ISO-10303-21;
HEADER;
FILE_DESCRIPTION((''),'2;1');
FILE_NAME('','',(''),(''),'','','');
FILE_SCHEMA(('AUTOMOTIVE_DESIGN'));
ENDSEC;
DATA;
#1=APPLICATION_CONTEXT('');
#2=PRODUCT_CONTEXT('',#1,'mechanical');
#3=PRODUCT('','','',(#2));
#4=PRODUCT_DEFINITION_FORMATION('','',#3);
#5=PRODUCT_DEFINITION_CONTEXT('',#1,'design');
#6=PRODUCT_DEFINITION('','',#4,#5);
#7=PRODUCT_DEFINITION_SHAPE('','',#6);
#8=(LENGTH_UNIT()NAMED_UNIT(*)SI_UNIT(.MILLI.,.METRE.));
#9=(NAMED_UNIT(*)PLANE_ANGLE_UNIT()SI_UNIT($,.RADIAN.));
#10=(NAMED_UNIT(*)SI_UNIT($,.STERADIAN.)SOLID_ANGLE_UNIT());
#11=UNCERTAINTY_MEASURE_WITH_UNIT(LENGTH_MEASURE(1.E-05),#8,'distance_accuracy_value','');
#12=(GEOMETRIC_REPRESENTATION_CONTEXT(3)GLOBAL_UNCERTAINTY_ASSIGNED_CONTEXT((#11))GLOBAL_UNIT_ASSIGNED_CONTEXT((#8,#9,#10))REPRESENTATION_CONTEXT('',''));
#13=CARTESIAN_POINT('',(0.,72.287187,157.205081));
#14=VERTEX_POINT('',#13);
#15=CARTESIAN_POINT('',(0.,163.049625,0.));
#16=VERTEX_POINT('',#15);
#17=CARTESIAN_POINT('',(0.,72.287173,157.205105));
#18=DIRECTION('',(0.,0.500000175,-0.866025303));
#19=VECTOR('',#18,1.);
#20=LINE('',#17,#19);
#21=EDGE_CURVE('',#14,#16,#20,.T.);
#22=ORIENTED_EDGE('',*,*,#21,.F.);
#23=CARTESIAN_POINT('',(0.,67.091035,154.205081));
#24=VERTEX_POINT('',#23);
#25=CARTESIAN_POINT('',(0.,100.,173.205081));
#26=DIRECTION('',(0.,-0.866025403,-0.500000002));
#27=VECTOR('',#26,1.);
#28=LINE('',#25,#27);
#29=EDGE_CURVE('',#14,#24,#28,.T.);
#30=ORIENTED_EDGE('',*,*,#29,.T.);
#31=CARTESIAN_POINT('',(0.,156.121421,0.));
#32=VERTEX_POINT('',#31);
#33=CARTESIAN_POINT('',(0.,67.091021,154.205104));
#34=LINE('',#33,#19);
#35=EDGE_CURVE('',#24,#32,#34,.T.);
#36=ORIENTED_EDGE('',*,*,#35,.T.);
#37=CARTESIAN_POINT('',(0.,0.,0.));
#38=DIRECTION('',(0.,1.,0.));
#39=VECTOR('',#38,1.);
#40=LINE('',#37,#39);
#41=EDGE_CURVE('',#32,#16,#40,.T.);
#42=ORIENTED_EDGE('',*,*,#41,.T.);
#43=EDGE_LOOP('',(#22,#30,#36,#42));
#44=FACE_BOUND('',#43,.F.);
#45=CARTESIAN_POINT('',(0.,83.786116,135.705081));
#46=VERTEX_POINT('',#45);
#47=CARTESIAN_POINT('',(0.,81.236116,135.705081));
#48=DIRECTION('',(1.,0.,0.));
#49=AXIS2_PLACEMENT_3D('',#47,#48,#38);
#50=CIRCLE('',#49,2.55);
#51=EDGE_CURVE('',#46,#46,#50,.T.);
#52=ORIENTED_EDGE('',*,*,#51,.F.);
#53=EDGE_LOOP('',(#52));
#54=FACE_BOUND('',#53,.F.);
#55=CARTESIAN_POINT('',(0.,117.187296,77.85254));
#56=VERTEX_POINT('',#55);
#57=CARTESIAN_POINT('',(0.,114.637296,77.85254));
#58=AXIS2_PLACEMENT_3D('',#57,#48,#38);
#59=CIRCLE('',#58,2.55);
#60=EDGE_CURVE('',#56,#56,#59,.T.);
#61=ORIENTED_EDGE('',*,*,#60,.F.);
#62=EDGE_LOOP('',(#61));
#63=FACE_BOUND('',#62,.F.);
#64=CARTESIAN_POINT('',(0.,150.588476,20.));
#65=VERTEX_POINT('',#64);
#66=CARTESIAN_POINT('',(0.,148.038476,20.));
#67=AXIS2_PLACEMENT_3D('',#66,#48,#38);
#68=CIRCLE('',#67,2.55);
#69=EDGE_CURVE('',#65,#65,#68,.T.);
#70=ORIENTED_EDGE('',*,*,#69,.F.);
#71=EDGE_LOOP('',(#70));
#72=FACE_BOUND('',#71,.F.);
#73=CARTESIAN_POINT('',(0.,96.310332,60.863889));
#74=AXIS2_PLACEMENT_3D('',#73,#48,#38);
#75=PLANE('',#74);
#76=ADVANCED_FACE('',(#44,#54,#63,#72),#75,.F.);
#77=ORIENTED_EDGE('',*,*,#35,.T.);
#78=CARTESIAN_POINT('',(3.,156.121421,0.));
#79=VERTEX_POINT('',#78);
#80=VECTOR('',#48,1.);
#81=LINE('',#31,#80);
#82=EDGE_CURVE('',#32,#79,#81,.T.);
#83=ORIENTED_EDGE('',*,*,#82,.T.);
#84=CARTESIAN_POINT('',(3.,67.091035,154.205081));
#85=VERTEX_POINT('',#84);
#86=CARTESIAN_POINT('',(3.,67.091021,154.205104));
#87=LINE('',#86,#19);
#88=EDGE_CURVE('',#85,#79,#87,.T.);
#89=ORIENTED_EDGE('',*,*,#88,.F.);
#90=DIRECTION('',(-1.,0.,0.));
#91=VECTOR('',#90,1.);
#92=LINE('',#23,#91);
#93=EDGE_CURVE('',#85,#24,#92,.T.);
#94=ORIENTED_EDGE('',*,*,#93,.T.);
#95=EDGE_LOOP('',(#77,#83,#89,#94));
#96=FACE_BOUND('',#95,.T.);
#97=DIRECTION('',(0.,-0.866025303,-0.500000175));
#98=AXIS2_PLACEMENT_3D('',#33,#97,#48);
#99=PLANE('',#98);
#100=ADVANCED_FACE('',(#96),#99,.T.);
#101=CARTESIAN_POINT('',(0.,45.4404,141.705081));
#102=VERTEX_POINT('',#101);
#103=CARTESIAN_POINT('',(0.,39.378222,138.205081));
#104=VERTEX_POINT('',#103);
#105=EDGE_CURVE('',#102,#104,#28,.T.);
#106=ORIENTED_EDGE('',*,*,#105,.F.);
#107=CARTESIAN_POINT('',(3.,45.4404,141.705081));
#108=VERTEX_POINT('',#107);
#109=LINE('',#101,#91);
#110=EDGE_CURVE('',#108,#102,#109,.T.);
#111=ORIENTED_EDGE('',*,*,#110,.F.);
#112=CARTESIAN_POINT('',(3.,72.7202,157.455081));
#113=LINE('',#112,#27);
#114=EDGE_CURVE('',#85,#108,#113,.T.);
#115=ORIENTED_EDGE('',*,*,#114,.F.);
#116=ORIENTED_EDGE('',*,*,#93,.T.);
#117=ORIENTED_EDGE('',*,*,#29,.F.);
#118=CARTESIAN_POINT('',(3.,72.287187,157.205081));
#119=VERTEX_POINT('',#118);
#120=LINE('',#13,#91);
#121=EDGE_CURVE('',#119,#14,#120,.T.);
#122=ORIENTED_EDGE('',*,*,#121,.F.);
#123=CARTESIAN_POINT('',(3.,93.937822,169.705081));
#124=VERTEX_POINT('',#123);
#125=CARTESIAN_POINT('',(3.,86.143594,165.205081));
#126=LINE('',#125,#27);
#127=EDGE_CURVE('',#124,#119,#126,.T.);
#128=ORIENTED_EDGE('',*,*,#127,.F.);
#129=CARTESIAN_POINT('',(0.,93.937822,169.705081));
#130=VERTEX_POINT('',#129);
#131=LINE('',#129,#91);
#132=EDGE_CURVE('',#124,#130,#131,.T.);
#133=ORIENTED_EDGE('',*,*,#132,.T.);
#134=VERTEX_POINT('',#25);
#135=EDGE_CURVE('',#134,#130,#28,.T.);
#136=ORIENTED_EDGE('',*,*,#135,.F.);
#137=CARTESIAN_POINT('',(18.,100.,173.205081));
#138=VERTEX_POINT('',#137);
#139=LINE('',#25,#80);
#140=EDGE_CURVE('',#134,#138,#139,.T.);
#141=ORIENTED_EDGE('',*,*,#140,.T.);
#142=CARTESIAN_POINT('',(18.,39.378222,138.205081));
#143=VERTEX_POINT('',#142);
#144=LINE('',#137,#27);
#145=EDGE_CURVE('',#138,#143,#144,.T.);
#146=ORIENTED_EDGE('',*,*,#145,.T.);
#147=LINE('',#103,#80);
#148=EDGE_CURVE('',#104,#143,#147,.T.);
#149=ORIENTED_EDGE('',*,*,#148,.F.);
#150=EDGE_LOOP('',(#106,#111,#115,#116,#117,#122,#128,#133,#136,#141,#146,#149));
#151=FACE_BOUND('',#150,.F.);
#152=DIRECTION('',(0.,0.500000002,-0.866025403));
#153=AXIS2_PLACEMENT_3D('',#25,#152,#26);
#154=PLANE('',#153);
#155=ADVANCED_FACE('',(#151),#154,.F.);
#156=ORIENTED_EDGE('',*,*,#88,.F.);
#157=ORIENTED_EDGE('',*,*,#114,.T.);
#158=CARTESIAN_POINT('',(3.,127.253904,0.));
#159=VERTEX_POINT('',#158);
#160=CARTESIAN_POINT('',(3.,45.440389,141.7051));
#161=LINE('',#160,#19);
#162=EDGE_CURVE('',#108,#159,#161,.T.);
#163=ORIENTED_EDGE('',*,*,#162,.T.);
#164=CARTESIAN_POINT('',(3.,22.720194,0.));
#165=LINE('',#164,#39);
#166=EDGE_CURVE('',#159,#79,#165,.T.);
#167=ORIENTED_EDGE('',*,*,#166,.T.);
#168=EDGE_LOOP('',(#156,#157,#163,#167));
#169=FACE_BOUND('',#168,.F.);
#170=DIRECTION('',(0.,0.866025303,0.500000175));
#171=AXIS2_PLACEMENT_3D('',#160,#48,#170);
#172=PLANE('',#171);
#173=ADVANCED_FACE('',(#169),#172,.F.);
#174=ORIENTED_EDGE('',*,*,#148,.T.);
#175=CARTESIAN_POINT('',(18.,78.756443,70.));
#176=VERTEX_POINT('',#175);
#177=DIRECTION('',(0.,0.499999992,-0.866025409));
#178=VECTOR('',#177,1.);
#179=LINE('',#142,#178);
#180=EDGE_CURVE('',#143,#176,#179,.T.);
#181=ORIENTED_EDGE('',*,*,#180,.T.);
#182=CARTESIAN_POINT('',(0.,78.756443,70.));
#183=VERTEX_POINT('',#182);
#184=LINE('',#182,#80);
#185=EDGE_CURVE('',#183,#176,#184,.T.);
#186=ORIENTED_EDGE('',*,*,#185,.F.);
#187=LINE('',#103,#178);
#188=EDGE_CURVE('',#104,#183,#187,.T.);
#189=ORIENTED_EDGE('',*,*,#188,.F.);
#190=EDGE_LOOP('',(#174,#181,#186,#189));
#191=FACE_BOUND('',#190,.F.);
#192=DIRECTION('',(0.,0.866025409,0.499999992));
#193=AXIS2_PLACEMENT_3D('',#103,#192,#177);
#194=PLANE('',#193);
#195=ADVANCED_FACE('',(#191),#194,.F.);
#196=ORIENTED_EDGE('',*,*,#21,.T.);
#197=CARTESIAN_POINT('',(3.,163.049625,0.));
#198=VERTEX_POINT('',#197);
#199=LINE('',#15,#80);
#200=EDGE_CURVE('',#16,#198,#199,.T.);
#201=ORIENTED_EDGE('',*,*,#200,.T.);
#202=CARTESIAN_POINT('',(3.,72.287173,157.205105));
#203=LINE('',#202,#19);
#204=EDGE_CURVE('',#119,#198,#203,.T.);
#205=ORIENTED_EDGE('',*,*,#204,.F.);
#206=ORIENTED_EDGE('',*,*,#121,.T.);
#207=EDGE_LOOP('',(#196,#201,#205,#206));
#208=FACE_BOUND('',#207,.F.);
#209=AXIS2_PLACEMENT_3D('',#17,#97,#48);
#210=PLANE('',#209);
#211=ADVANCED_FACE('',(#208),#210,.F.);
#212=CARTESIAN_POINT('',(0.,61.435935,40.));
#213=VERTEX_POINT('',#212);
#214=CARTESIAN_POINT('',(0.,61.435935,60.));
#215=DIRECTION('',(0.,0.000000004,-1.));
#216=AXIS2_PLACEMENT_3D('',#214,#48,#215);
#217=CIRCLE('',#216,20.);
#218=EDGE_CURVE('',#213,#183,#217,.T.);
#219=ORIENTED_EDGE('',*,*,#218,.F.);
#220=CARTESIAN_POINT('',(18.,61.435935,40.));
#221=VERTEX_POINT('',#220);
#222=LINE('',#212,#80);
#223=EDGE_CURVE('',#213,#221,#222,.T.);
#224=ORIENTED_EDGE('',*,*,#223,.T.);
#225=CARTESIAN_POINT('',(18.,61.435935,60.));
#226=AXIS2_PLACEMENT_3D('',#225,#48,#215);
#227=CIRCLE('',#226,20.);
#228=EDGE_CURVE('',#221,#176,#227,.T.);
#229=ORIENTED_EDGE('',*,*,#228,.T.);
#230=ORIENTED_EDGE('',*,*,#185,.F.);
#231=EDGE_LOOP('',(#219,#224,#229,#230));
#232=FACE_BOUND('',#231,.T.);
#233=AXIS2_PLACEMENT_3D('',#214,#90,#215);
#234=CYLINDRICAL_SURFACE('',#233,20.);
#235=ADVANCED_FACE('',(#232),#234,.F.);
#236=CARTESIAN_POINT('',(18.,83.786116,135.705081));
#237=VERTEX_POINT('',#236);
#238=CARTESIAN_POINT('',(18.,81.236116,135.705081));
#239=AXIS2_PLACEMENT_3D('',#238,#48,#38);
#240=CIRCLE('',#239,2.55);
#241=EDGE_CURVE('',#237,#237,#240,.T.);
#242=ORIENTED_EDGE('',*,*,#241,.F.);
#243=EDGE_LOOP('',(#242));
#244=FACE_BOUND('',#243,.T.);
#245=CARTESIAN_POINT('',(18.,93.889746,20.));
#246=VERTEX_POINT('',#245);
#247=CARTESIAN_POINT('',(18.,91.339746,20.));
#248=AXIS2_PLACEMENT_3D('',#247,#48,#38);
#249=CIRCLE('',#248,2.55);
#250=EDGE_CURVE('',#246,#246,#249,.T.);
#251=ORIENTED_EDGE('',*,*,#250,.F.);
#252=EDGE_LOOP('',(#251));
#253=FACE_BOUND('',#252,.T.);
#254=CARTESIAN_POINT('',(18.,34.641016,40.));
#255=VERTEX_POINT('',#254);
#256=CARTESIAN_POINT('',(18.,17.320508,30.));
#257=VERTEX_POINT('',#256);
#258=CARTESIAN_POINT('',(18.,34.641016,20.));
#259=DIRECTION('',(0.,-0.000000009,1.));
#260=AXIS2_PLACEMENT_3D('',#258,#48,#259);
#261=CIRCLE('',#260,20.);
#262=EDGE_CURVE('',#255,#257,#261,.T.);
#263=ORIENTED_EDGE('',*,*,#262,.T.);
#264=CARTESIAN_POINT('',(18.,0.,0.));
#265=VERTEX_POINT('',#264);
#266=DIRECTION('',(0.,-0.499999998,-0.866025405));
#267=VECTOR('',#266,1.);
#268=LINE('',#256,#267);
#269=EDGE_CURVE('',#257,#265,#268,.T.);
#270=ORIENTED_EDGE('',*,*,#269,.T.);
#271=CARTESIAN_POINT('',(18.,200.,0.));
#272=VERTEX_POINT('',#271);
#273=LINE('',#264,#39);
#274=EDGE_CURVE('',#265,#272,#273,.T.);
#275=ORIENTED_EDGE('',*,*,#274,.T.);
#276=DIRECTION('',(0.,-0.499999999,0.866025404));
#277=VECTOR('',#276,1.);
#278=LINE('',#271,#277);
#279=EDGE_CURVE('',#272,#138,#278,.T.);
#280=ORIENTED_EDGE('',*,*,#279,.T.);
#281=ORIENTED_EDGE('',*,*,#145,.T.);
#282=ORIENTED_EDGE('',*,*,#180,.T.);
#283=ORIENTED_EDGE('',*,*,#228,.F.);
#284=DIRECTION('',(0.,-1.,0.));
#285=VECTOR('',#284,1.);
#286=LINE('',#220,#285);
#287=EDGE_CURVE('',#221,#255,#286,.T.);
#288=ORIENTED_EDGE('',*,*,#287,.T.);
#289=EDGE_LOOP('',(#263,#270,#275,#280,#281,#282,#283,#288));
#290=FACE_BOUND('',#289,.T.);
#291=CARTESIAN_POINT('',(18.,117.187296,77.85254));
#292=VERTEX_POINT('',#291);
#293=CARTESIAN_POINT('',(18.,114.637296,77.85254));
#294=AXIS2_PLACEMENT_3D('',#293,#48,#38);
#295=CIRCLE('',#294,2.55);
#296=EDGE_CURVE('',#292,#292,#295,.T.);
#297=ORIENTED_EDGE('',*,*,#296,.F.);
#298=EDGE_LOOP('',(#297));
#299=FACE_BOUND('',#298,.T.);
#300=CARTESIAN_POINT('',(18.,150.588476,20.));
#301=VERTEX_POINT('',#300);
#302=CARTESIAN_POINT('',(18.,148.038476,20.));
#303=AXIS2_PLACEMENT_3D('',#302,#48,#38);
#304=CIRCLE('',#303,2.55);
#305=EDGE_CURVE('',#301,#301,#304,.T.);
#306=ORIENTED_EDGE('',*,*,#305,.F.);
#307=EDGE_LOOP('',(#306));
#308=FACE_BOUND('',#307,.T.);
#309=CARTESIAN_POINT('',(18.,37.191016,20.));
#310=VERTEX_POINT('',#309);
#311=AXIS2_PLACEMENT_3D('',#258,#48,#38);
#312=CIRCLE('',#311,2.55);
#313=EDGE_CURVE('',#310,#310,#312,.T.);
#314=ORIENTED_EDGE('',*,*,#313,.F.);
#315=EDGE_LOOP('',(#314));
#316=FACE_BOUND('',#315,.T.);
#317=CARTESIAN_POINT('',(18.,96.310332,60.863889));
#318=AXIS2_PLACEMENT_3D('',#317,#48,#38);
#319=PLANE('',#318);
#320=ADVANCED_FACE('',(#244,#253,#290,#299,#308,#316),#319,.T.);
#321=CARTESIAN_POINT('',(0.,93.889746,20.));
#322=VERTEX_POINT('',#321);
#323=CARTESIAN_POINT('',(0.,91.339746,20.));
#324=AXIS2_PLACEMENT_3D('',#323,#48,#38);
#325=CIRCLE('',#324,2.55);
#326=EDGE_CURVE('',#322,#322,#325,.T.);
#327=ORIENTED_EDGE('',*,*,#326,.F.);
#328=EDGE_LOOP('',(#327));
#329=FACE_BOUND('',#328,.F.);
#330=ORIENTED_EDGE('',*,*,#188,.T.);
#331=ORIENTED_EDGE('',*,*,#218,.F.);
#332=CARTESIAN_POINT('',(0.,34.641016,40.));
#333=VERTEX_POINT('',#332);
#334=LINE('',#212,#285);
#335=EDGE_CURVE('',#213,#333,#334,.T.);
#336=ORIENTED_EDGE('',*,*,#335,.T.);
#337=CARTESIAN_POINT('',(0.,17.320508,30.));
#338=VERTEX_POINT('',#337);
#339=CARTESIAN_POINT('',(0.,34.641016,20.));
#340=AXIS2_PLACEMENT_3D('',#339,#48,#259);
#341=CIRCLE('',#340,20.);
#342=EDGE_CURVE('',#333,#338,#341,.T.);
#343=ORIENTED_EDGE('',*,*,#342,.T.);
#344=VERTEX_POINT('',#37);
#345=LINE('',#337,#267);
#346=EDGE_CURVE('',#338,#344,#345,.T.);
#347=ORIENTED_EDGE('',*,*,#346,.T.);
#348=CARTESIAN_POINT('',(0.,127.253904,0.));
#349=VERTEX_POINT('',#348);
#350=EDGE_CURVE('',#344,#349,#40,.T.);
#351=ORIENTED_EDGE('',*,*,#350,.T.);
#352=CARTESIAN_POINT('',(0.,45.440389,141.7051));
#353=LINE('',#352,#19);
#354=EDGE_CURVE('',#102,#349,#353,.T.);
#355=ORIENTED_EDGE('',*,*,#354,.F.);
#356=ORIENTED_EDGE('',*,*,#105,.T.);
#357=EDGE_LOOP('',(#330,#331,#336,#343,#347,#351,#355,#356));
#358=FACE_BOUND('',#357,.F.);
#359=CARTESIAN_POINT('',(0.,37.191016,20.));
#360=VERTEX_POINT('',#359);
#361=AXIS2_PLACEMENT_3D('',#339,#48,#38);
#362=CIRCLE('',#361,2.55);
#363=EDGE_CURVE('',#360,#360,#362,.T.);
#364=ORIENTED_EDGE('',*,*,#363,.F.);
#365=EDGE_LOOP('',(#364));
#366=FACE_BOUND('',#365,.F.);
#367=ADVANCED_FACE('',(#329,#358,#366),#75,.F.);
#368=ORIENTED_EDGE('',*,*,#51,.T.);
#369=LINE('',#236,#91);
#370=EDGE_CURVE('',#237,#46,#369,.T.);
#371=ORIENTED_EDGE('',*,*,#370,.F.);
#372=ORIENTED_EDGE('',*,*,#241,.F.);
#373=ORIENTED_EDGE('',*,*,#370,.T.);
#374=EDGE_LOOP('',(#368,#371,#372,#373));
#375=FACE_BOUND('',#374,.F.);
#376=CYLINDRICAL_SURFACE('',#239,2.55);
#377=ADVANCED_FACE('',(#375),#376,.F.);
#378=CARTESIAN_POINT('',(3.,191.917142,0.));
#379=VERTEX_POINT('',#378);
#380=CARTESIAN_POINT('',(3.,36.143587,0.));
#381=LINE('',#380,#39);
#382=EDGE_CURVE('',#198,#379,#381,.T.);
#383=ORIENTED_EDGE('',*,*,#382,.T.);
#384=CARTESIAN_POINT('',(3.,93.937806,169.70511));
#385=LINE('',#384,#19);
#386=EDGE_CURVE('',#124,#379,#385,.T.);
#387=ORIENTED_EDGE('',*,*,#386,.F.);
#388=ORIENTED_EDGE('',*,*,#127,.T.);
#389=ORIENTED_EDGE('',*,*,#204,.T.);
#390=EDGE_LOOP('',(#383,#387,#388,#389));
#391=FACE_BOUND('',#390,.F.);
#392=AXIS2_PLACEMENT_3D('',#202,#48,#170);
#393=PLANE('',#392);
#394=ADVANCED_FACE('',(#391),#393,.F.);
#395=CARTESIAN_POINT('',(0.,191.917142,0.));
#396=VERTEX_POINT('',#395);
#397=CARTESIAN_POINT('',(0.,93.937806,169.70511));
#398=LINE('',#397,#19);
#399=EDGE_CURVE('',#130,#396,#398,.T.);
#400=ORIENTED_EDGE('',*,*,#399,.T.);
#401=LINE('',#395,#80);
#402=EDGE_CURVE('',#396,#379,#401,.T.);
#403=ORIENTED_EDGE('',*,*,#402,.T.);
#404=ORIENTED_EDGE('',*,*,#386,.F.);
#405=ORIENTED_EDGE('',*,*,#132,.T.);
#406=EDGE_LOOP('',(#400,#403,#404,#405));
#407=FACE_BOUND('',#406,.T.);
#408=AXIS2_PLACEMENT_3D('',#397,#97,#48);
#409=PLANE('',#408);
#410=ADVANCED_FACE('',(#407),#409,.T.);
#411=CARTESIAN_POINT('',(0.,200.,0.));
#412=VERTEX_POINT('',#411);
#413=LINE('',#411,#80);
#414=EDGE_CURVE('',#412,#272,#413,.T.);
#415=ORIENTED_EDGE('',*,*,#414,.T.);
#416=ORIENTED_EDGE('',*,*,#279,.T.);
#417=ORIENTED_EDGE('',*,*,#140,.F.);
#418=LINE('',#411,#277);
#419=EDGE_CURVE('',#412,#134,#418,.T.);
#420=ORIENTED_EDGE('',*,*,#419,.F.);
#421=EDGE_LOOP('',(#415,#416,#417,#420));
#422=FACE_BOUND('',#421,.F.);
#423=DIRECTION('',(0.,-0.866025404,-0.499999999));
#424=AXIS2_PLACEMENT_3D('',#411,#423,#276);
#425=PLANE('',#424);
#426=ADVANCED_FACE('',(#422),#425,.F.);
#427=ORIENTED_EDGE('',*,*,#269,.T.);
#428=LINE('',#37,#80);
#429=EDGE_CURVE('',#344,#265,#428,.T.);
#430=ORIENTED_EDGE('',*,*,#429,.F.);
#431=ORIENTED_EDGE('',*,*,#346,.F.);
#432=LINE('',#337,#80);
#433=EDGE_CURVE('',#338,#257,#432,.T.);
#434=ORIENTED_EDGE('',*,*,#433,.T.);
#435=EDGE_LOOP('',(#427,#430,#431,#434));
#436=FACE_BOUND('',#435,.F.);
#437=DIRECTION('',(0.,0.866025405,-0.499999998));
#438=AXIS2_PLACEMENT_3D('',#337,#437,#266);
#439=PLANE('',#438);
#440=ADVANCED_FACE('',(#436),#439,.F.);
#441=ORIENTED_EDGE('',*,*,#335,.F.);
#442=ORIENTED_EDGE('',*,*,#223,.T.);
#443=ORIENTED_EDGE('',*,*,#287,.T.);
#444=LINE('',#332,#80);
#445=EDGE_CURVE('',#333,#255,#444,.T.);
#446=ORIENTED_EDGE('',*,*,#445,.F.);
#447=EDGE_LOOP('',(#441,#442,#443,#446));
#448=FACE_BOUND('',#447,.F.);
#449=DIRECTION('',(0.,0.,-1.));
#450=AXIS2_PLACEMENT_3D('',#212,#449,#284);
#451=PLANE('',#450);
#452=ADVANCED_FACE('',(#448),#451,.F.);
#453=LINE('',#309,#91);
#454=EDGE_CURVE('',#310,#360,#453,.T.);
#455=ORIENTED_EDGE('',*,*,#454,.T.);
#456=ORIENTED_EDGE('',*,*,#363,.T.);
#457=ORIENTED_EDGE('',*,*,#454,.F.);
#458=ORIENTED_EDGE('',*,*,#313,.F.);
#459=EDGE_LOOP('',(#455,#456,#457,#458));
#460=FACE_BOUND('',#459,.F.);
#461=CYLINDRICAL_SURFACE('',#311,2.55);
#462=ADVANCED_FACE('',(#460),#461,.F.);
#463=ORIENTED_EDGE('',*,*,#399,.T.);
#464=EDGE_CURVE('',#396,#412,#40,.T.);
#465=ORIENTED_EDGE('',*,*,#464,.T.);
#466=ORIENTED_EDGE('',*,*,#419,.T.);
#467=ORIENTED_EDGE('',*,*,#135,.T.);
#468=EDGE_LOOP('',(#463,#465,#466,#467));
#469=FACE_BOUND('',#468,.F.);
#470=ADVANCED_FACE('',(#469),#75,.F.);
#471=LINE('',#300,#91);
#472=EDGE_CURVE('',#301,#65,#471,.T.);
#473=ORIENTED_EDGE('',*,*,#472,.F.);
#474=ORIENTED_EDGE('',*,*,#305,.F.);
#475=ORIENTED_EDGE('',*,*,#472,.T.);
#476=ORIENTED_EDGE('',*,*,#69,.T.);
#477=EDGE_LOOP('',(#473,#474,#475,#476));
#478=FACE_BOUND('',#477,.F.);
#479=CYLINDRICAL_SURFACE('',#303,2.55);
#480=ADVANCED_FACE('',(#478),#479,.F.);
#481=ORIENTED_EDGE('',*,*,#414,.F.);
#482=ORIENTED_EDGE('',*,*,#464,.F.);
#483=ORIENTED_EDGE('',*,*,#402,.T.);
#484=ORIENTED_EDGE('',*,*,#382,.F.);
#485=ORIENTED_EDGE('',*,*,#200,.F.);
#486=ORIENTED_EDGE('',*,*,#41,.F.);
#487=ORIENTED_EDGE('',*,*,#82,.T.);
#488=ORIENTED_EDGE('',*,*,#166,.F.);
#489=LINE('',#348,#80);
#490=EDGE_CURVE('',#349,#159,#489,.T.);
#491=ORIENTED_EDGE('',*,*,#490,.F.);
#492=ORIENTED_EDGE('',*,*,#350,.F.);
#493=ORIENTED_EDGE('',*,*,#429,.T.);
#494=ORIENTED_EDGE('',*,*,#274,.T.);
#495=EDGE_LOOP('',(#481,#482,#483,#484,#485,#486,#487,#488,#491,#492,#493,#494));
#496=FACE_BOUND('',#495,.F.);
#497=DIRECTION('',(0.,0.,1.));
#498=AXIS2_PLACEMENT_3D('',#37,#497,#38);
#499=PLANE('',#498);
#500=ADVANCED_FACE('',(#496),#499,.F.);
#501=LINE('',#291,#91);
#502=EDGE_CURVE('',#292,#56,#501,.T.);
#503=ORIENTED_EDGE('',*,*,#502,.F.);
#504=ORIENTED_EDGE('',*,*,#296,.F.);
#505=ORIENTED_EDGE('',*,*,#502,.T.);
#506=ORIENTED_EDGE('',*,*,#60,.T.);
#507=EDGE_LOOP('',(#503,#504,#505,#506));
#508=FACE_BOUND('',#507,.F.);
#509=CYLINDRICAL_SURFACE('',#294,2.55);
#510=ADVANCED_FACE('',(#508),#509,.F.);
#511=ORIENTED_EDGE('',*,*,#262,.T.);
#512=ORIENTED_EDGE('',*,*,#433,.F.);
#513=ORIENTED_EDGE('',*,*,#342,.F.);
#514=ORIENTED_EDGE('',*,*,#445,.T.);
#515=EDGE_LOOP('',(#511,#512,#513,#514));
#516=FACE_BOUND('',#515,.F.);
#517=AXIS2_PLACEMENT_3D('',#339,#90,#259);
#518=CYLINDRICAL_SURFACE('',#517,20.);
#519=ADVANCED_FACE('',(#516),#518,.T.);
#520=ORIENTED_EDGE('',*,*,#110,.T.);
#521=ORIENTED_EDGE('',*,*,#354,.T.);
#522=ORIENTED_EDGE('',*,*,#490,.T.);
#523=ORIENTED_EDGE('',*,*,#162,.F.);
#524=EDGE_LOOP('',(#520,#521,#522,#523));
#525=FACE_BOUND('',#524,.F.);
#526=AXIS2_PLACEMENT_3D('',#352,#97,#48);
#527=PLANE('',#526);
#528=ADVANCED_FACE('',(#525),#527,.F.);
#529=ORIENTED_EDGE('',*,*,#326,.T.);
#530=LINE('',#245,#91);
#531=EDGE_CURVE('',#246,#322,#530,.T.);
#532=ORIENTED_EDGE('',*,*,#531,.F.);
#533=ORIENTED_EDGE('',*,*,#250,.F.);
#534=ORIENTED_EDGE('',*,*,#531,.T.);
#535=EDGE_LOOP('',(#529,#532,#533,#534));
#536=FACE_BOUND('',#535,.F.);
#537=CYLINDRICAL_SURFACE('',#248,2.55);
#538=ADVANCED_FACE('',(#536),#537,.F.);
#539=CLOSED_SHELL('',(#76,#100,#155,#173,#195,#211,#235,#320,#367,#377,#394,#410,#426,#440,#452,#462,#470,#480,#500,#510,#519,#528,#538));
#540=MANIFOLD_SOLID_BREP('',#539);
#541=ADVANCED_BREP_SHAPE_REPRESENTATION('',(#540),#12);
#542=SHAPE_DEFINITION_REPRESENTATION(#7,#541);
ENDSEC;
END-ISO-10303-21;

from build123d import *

# Parameters (mm, degrees)
PAD_DEPTH       = 18
SKETCH001_R     = 2.55
POCKET_DEPTH    = 18.001
SKETCH003_W     = 3
SKETCH003_H     = 25
POCKET003_DEPTH = 200.001


with BuildPart() as part:
    # Sketch → Pad (new body)
    with BuildSketch(Plane.YZ):
        with BuildLine():
            Line((0, 0), (200, 0))
            Line((200, 0), (100, 173.205081))
            Line((100, 173.205081), (39.378222, 138.205081))
            Line((39.378222, 138.205081), (78.756443, 70))
            ThreePointArc((61.435935, 40), (78.756443, 50), (78.756443, 70))
            Line((61.435935, 40), (34.641016, 40))
            ThreePointArc((34.641016, 40), (24.641016, 37.320508), (17.320508, 30))
            Line((17.320508, 30), (0, 0))
        make_face()
    extrude(amount=PAD_DEPTH)

    # Sketch001 (on Face10 of Pad) → Pocket (cut, through all)
    with BuildSketch(Plane.YZ.offset(18)):
        with Locations((81.236116, 135.705081)):
            Circle(SKETCH001_R)
        with Locations((114.637296, 77.85254)):
            Circle(SKETCH001_R)
        with Locations((148.038476, 20)):
            Circle(SKETCH001_R)
        with Locations((91.339746, 20)):
            Circle(SKETCH001_R)
        with Locations((34.641016, 20)):
            Circle(SKETCH001_R)
    extrude(amount=-POCKET_DEPTH, mode=Mode.SUBTRACT)

    # Sketch003 (on Face8 of Clone002) → Pocket003 (cut, through all)
    with BuildSketch(Plane(origin=(0, -50, 86.60254), x_dir=(1, 0, 0), z_dir=(0, -0.5, 0.866025))):
        with Locations((1.5, 122.705081)):
            Rectangle(SKETCH003_W, SKETCH003_H)
        with Locations((1.5, 153.705081)):
            Rectangle(SKETCH003_W, SKETCH003_H)
    extrude(amount=-POCKET003_DEPTH, mode=Mode.SUBTRACT)


solid = part.part
